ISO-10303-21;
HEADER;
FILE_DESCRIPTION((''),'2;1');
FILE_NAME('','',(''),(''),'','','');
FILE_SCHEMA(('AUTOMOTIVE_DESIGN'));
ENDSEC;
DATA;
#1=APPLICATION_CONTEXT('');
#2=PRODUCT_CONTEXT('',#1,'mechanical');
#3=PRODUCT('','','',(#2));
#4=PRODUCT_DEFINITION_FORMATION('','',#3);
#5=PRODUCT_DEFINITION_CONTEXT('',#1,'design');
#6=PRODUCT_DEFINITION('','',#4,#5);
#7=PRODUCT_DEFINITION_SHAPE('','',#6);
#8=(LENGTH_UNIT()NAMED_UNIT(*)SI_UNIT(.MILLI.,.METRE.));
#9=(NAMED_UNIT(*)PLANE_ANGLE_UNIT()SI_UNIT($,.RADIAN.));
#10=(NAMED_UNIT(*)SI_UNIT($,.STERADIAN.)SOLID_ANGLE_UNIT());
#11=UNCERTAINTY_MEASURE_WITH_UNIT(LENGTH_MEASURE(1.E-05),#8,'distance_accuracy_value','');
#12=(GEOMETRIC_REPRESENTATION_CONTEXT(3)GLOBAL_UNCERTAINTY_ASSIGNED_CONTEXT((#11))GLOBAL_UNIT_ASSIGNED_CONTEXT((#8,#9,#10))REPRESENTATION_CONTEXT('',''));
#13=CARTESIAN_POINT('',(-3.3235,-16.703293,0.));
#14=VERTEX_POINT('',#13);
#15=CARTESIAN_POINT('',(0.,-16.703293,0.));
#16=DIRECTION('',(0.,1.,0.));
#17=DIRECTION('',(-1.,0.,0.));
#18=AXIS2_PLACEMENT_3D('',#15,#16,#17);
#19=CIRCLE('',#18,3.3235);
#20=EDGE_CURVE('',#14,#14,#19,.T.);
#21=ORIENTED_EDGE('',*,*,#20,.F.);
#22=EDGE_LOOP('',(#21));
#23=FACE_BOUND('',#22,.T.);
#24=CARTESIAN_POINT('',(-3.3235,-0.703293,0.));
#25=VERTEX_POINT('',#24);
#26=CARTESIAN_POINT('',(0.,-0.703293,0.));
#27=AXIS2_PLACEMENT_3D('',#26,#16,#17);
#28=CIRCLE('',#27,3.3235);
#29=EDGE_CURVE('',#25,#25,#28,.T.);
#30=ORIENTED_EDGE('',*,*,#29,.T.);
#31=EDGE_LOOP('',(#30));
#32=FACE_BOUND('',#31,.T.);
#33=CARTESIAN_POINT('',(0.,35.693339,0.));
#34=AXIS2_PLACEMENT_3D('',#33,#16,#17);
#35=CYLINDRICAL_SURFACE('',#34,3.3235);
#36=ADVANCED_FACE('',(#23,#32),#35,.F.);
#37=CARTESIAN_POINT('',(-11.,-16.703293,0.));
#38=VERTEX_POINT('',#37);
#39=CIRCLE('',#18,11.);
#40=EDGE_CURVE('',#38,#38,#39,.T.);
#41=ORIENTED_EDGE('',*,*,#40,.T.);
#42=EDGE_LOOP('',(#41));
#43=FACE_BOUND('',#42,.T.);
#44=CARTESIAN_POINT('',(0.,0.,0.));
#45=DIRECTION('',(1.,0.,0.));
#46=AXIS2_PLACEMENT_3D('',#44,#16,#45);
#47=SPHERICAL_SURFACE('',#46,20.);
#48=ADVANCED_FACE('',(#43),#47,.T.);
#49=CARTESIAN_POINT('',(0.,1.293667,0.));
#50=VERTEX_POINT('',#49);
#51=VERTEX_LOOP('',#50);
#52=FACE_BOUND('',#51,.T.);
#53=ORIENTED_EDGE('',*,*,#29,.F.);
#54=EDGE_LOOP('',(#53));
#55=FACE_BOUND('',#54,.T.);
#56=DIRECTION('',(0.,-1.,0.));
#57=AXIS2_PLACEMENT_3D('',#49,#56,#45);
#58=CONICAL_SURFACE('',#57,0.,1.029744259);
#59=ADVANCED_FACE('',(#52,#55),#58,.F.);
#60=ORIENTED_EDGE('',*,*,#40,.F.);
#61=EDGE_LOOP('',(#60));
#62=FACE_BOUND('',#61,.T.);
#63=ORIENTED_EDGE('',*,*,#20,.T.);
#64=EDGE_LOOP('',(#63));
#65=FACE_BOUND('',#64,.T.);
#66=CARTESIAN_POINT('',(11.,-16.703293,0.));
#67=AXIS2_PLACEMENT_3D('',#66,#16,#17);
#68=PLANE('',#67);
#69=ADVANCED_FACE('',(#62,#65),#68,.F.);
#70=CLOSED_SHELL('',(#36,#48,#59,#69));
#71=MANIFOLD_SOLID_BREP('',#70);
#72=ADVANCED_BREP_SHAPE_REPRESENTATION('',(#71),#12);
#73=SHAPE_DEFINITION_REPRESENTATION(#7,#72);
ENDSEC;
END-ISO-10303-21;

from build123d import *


with BuildPart() as part:
    # Skizze1 → Rotation1 (revolve)
    with BuildSketch(Plane.XY):
        with BuildLine():
            Line((11, -16.703293088), (3.3235, -16.703293088))
            Line((3.3235, -16.703293088), (3.3235, -0.703293088))
            Line((3.3235, -0.703293088), (0, 1.293667179))
            Line((0, 1.293667179), (0, 20))
            ThreePointArc((0, 20), (19.15810353, 5.741695665), (11, -16.703293088))
        make_face()
    revolve(axis=Axis((0, 35.693338508, 0), (0, -1, 0)))


solid = part.part
